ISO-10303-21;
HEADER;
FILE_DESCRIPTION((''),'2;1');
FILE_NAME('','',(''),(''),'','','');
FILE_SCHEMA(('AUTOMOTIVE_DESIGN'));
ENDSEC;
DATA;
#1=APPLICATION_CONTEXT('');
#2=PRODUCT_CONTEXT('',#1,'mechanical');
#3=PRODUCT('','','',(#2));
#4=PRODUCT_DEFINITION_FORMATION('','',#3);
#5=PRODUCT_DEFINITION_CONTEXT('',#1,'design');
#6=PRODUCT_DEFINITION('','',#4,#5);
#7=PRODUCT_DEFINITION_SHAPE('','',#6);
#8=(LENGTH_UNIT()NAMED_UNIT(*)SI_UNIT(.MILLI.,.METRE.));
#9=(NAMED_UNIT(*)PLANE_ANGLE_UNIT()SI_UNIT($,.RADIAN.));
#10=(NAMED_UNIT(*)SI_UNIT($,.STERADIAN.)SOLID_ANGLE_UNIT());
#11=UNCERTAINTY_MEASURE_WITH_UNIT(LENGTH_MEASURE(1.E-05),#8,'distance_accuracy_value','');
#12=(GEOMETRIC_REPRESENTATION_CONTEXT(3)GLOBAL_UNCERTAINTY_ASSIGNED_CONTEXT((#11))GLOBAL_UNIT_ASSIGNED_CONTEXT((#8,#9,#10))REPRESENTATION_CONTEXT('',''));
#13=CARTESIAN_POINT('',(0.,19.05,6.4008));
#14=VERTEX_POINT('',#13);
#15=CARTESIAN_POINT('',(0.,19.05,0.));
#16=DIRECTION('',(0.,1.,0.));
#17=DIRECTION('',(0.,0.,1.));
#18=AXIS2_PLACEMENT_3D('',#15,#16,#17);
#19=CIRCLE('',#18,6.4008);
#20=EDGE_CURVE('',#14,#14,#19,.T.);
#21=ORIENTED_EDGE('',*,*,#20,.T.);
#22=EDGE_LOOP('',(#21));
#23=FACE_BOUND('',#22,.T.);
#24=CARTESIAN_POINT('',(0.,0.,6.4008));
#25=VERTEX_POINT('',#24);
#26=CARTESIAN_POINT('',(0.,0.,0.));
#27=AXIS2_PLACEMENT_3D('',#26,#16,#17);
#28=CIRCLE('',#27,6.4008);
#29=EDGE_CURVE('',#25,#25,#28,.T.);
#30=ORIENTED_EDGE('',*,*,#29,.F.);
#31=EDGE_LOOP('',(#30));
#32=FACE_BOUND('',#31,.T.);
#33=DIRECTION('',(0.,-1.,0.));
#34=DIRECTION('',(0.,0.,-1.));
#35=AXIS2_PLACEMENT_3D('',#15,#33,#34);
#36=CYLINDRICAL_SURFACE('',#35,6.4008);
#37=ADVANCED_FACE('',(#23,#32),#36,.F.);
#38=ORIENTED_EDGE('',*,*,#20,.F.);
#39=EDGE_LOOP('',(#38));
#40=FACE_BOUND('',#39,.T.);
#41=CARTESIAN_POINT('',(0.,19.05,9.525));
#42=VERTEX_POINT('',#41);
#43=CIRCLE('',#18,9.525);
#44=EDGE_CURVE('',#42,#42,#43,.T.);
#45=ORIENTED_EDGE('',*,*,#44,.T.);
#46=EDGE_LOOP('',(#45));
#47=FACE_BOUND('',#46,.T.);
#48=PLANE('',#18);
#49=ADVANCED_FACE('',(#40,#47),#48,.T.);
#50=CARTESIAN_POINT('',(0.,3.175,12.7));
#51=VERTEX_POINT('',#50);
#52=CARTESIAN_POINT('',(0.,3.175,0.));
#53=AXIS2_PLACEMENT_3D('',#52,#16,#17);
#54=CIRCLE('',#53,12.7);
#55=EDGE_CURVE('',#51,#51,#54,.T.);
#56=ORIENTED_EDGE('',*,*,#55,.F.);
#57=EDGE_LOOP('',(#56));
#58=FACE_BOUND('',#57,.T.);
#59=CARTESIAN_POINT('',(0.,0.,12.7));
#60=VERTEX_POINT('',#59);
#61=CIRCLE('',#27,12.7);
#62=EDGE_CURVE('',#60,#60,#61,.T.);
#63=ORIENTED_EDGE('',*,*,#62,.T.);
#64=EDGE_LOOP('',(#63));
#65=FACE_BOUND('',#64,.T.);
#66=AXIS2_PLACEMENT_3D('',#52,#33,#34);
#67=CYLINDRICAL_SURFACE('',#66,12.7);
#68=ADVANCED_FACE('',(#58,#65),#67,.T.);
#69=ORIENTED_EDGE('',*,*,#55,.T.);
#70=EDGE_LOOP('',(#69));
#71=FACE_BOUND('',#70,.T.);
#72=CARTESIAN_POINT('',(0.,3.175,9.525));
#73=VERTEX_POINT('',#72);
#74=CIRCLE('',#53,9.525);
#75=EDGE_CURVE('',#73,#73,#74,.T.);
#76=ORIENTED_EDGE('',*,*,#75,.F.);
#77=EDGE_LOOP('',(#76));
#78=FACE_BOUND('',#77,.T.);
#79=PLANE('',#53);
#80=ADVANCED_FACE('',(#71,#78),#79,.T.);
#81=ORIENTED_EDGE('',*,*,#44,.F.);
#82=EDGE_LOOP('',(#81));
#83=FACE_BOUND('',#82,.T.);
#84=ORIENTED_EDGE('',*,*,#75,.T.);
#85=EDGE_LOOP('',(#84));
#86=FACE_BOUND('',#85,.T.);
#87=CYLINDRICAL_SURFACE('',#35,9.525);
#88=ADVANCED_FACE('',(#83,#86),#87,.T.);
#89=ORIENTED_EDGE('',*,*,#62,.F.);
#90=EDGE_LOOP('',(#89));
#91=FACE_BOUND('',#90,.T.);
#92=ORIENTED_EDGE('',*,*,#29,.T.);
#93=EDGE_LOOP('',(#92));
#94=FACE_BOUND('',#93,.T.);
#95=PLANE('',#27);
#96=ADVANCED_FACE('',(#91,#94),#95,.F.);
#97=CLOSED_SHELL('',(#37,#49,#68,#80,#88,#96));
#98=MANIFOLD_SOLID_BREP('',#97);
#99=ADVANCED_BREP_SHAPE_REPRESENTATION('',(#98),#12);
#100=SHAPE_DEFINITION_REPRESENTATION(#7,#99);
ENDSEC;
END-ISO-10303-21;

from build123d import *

# Parameters (mm, degrees)
SKETCH2_R           = 9.525
SKETCH2_R_2         = 6.4008
BOSS_EXTRUDE1_DEPTH = 19.05
SKETCH3_R           = 12.7
SKETCH3_R_2         = 9.525
BOSS_EXTRUDE2_DEPTH = 3.175


with BuildPart() as part:
    # Sketch2 → Boss-Extrude1 (new body)
    with BuildSketch(Plane(origin=(0, 0, 0), x_dir=(1, 0, 0), z_dir=(0, 1, 0))):
        Circle(SKETCH2_R)
        Circle(SKETCH2_R_2, mode=Mode.SUBTRACT)
    extrude(amount=BOSS_EXTRUDE1_DEPTH)

    # Sketch3 → Boss-Extrude2 (add)
    with BuildSketch(Plane(origin=(0, 0, 0), x_dir=(1, 0, 0), z_dir=(0, 1, 0))):
        Circle(SKETCH3_R)
        Circle(SKETCH3_R_2, mode=Mode.SUBTRACT)
    extrude(amount=BOSS_EXTRUDE2_DEPTH)


solid = part.part
